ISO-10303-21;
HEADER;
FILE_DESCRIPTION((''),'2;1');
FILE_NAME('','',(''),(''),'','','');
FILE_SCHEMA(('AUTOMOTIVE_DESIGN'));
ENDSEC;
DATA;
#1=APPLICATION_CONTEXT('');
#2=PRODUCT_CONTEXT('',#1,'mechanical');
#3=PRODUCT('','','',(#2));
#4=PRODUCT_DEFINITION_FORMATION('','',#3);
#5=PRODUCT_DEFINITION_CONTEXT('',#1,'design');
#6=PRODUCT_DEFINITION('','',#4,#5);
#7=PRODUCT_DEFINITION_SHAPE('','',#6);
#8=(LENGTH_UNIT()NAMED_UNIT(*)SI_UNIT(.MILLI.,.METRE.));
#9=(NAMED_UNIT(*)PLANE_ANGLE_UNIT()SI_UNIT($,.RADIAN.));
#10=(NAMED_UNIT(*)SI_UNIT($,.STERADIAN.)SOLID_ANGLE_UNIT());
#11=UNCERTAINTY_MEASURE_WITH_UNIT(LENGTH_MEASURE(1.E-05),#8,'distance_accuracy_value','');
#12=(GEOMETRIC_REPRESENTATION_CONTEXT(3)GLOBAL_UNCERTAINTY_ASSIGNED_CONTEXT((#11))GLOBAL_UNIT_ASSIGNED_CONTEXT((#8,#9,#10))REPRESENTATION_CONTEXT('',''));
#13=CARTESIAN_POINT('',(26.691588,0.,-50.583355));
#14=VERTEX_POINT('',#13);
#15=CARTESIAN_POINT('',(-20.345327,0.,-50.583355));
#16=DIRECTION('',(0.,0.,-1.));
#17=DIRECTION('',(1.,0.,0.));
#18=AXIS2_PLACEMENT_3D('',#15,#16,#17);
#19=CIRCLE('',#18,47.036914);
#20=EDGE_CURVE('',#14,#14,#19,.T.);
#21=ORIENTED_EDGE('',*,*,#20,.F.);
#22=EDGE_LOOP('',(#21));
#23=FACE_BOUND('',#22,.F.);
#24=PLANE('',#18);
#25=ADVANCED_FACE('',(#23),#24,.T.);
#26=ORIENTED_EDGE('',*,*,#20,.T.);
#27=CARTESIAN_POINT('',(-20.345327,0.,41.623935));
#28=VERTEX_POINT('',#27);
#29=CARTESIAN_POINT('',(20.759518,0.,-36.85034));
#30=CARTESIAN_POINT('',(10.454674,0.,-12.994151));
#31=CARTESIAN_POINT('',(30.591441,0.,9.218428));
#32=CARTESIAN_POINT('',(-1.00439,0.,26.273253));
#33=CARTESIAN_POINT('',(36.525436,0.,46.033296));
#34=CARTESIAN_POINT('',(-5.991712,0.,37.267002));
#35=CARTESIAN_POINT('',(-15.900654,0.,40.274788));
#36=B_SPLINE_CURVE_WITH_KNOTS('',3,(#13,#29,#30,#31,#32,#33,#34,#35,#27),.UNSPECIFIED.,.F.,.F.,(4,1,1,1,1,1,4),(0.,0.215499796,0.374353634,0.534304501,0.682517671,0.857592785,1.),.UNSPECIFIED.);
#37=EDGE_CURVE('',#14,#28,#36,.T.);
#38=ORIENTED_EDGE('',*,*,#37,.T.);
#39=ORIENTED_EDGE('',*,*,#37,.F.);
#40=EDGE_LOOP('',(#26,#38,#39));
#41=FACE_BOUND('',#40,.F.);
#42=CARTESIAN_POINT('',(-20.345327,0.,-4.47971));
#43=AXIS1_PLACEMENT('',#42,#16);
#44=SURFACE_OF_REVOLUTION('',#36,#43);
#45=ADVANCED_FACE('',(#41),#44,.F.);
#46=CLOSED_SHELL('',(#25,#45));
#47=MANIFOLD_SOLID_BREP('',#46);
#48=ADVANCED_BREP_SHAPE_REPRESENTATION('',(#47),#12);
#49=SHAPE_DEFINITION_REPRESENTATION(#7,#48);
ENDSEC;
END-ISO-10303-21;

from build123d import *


with BuildPart() as f1:
    # F0 (on Front) → F1 (revolve)
    with BuildSketch(Plane.XZ):
        with BuildLine():
            add(Edge.make_bspline(
                [(26.6915876418, -50.5833551288), (20.7595182248, -36.8503403127), (10.4546744082, -12.9941506997), (30.5914408269, 9.2184278801), (-1.0043902517, 26.273252897), (36.5254360552, 46.0332963603), (-5.9917120781, 37.2670022595), (-15.9006543411, 40.2747879423), (-20.3453265131, 41.6239351034)],
                knots=[0, 0, 0, 0, 0.2154997963, 0.374353634, 0.5343045011, 0.6825176715, 0.857592785, 1, 1, 1, 1], degree=3))
            Line((-20.3453265131, 41.6239351034), (-20.3453265131, -50.5833551288))
            Line((-20.3453265131, -50.5833551288), (26.6915876418, -50.5833551288))
        make_face()
    revolve(axis=Axis((-20.3453265131, 0, -4.4797100127), (0, 0, -1)))


solid = f1.part
